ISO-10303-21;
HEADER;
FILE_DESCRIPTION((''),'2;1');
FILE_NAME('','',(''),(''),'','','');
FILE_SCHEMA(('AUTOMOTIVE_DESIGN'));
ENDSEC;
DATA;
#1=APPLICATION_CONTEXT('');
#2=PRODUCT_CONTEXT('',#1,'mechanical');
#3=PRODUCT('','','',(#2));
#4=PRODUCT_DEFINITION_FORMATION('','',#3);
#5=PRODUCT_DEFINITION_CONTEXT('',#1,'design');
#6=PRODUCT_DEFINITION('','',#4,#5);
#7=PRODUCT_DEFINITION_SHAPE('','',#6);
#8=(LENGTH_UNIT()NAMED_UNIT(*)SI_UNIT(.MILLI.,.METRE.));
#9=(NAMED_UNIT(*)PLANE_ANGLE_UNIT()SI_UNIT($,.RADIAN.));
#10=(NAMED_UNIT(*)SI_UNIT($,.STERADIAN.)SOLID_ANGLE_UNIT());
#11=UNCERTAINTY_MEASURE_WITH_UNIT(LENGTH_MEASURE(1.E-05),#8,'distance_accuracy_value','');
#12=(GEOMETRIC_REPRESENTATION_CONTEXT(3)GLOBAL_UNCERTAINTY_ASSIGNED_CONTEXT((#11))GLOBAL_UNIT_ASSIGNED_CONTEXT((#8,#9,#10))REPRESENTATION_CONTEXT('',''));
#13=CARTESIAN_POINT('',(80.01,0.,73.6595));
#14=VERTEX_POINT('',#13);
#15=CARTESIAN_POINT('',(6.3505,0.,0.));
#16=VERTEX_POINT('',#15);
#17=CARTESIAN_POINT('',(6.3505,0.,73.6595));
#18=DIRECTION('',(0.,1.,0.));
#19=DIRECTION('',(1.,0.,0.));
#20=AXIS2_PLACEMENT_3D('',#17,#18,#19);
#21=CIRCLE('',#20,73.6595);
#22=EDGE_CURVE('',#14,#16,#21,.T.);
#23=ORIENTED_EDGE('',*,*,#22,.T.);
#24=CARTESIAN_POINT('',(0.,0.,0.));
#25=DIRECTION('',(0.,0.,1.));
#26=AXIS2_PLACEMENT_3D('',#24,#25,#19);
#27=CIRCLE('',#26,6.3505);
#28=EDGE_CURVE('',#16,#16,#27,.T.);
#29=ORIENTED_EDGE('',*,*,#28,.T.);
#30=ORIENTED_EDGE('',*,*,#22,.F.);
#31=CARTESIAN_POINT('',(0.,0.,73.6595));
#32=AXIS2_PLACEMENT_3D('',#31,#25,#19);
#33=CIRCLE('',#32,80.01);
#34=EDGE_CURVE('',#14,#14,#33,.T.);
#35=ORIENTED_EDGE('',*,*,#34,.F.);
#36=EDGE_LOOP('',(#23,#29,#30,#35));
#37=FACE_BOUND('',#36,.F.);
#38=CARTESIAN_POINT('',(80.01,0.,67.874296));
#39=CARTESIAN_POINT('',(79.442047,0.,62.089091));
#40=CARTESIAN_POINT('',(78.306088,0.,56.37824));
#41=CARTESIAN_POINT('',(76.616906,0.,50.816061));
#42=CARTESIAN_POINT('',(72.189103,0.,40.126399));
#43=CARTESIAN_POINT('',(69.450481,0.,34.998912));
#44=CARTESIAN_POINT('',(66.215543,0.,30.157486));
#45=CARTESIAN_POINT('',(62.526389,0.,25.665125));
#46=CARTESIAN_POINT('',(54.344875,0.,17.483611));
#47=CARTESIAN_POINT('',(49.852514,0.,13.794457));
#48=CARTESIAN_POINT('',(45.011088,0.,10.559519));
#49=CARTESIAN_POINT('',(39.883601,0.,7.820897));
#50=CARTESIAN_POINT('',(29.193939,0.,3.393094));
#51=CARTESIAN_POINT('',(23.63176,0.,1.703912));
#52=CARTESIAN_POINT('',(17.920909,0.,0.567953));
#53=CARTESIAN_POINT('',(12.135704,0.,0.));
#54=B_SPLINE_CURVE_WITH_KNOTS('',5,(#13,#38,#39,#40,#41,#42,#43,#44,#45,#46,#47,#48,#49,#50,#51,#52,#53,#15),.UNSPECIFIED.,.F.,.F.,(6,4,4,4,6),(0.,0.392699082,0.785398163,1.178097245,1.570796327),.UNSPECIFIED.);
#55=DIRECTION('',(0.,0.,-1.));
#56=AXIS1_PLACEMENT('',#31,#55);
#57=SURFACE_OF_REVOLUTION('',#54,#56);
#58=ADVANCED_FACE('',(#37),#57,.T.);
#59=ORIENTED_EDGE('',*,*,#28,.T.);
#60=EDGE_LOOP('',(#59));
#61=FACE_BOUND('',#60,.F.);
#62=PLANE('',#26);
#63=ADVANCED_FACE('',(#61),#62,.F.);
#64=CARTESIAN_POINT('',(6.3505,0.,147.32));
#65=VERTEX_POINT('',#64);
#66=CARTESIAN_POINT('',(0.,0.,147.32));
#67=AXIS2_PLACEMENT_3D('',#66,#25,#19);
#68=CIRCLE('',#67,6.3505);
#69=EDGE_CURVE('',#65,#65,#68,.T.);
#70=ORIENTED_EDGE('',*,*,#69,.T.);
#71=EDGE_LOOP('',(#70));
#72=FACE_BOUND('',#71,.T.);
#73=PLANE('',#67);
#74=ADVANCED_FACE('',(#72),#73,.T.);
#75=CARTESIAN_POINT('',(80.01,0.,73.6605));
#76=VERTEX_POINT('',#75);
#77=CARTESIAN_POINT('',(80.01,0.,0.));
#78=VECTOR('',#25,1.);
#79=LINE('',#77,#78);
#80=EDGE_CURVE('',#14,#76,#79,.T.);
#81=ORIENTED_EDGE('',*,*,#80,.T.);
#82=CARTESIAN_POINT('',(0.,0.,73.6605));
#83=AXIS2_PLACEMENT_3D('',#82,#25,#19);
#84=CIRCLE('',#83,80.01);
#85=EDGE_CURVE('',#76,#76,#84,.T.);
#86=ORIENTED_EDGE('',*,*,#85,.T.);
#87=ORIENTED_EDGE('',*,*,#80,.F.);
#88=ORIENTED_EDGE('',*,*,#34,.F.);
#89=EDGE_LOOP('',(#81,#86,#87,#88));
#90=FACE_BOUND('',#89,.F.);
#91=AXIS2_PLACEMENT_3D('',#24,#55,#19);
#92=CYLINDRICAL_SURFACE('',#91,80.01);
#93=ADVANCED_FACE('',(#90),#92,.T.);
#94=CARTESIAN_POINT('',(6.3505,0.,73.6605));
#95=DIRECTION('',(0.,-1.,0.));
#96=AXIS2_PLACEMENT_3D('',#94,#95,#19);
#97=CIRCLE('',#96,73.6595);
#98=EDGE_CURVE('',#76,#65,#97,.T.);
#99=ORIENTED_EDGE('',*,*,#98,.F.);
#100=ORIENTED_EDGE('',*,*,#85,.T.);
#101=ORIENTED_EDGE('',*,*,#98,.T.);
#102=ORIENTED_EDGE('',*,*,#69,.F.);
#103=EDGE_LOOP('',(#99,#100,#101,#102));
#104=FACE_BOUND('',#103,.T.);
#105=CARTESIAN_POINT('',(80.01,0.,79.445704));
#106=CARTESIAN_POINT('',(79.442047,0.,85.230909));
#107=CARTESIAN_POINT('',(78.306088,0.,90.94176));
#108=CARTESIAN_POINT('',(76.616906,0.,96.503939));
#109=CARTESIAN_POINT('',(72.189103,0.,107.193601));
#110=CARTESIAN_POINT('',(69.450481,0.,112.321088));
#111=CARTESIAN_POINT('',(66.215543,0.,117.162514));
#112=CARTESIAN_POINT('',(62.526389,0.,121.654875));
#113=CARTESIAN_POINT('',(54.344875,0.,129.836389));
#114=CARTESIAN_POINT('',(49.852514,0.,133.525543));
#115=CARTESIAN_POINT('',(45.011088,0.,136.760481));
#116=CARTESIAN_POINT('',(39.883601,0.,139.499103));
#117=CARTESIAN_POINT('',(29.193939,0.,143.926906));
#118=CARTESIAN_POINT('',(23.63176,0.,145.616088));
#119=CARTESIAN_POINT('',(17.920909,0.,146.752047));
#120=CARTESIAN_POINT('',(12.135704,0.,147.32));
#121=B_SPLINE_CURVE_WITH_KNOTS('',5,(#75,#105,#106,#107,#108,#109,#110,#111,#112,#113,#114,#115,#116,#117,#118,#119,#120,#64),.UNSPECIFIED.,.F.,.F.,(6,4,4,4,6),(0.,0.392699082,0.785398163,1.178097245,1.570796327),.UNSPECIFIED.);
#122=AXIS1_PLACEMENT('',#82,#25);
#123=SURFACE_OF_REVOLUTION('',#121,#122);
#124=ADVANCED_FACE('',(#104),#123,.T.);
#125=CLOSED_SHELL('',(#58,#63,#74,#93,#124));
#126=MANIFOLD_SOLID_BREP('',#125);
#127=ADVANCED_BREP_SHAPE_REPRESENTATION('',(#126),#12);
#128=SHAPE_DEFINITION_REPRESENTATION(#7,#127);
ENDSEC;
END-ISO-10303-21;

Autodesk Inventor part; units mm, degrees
ref_plane "YZ Plane" through (0, 0, 0) normal (1, 0, 0) x (0, 1, 0)
ref_plane "XZ Plane" through (0, 0, 0) normal (0, 1, 0) x (-1, 0, 0)
ref_plane "XY Plane" through (0, 0, 0) normal (0, 0, 1) x (1, 0, 0)
sketch "Sketch1" plane through (0, 0, 0) normal (0, 0, 1) x (1, 0, 0)
  circle A0 centre (0, 0) radius 80.01
  dimension "d0" = 160.02
extrude "Extrusion1" add sketch "Sketch1" along normal blind 147.32
fillet "Fillet1" radius 73.66 2 edges at (-80.01, 0, 147.32) (-80.01, 0, 0)
properties part number "dodge ball squished"
